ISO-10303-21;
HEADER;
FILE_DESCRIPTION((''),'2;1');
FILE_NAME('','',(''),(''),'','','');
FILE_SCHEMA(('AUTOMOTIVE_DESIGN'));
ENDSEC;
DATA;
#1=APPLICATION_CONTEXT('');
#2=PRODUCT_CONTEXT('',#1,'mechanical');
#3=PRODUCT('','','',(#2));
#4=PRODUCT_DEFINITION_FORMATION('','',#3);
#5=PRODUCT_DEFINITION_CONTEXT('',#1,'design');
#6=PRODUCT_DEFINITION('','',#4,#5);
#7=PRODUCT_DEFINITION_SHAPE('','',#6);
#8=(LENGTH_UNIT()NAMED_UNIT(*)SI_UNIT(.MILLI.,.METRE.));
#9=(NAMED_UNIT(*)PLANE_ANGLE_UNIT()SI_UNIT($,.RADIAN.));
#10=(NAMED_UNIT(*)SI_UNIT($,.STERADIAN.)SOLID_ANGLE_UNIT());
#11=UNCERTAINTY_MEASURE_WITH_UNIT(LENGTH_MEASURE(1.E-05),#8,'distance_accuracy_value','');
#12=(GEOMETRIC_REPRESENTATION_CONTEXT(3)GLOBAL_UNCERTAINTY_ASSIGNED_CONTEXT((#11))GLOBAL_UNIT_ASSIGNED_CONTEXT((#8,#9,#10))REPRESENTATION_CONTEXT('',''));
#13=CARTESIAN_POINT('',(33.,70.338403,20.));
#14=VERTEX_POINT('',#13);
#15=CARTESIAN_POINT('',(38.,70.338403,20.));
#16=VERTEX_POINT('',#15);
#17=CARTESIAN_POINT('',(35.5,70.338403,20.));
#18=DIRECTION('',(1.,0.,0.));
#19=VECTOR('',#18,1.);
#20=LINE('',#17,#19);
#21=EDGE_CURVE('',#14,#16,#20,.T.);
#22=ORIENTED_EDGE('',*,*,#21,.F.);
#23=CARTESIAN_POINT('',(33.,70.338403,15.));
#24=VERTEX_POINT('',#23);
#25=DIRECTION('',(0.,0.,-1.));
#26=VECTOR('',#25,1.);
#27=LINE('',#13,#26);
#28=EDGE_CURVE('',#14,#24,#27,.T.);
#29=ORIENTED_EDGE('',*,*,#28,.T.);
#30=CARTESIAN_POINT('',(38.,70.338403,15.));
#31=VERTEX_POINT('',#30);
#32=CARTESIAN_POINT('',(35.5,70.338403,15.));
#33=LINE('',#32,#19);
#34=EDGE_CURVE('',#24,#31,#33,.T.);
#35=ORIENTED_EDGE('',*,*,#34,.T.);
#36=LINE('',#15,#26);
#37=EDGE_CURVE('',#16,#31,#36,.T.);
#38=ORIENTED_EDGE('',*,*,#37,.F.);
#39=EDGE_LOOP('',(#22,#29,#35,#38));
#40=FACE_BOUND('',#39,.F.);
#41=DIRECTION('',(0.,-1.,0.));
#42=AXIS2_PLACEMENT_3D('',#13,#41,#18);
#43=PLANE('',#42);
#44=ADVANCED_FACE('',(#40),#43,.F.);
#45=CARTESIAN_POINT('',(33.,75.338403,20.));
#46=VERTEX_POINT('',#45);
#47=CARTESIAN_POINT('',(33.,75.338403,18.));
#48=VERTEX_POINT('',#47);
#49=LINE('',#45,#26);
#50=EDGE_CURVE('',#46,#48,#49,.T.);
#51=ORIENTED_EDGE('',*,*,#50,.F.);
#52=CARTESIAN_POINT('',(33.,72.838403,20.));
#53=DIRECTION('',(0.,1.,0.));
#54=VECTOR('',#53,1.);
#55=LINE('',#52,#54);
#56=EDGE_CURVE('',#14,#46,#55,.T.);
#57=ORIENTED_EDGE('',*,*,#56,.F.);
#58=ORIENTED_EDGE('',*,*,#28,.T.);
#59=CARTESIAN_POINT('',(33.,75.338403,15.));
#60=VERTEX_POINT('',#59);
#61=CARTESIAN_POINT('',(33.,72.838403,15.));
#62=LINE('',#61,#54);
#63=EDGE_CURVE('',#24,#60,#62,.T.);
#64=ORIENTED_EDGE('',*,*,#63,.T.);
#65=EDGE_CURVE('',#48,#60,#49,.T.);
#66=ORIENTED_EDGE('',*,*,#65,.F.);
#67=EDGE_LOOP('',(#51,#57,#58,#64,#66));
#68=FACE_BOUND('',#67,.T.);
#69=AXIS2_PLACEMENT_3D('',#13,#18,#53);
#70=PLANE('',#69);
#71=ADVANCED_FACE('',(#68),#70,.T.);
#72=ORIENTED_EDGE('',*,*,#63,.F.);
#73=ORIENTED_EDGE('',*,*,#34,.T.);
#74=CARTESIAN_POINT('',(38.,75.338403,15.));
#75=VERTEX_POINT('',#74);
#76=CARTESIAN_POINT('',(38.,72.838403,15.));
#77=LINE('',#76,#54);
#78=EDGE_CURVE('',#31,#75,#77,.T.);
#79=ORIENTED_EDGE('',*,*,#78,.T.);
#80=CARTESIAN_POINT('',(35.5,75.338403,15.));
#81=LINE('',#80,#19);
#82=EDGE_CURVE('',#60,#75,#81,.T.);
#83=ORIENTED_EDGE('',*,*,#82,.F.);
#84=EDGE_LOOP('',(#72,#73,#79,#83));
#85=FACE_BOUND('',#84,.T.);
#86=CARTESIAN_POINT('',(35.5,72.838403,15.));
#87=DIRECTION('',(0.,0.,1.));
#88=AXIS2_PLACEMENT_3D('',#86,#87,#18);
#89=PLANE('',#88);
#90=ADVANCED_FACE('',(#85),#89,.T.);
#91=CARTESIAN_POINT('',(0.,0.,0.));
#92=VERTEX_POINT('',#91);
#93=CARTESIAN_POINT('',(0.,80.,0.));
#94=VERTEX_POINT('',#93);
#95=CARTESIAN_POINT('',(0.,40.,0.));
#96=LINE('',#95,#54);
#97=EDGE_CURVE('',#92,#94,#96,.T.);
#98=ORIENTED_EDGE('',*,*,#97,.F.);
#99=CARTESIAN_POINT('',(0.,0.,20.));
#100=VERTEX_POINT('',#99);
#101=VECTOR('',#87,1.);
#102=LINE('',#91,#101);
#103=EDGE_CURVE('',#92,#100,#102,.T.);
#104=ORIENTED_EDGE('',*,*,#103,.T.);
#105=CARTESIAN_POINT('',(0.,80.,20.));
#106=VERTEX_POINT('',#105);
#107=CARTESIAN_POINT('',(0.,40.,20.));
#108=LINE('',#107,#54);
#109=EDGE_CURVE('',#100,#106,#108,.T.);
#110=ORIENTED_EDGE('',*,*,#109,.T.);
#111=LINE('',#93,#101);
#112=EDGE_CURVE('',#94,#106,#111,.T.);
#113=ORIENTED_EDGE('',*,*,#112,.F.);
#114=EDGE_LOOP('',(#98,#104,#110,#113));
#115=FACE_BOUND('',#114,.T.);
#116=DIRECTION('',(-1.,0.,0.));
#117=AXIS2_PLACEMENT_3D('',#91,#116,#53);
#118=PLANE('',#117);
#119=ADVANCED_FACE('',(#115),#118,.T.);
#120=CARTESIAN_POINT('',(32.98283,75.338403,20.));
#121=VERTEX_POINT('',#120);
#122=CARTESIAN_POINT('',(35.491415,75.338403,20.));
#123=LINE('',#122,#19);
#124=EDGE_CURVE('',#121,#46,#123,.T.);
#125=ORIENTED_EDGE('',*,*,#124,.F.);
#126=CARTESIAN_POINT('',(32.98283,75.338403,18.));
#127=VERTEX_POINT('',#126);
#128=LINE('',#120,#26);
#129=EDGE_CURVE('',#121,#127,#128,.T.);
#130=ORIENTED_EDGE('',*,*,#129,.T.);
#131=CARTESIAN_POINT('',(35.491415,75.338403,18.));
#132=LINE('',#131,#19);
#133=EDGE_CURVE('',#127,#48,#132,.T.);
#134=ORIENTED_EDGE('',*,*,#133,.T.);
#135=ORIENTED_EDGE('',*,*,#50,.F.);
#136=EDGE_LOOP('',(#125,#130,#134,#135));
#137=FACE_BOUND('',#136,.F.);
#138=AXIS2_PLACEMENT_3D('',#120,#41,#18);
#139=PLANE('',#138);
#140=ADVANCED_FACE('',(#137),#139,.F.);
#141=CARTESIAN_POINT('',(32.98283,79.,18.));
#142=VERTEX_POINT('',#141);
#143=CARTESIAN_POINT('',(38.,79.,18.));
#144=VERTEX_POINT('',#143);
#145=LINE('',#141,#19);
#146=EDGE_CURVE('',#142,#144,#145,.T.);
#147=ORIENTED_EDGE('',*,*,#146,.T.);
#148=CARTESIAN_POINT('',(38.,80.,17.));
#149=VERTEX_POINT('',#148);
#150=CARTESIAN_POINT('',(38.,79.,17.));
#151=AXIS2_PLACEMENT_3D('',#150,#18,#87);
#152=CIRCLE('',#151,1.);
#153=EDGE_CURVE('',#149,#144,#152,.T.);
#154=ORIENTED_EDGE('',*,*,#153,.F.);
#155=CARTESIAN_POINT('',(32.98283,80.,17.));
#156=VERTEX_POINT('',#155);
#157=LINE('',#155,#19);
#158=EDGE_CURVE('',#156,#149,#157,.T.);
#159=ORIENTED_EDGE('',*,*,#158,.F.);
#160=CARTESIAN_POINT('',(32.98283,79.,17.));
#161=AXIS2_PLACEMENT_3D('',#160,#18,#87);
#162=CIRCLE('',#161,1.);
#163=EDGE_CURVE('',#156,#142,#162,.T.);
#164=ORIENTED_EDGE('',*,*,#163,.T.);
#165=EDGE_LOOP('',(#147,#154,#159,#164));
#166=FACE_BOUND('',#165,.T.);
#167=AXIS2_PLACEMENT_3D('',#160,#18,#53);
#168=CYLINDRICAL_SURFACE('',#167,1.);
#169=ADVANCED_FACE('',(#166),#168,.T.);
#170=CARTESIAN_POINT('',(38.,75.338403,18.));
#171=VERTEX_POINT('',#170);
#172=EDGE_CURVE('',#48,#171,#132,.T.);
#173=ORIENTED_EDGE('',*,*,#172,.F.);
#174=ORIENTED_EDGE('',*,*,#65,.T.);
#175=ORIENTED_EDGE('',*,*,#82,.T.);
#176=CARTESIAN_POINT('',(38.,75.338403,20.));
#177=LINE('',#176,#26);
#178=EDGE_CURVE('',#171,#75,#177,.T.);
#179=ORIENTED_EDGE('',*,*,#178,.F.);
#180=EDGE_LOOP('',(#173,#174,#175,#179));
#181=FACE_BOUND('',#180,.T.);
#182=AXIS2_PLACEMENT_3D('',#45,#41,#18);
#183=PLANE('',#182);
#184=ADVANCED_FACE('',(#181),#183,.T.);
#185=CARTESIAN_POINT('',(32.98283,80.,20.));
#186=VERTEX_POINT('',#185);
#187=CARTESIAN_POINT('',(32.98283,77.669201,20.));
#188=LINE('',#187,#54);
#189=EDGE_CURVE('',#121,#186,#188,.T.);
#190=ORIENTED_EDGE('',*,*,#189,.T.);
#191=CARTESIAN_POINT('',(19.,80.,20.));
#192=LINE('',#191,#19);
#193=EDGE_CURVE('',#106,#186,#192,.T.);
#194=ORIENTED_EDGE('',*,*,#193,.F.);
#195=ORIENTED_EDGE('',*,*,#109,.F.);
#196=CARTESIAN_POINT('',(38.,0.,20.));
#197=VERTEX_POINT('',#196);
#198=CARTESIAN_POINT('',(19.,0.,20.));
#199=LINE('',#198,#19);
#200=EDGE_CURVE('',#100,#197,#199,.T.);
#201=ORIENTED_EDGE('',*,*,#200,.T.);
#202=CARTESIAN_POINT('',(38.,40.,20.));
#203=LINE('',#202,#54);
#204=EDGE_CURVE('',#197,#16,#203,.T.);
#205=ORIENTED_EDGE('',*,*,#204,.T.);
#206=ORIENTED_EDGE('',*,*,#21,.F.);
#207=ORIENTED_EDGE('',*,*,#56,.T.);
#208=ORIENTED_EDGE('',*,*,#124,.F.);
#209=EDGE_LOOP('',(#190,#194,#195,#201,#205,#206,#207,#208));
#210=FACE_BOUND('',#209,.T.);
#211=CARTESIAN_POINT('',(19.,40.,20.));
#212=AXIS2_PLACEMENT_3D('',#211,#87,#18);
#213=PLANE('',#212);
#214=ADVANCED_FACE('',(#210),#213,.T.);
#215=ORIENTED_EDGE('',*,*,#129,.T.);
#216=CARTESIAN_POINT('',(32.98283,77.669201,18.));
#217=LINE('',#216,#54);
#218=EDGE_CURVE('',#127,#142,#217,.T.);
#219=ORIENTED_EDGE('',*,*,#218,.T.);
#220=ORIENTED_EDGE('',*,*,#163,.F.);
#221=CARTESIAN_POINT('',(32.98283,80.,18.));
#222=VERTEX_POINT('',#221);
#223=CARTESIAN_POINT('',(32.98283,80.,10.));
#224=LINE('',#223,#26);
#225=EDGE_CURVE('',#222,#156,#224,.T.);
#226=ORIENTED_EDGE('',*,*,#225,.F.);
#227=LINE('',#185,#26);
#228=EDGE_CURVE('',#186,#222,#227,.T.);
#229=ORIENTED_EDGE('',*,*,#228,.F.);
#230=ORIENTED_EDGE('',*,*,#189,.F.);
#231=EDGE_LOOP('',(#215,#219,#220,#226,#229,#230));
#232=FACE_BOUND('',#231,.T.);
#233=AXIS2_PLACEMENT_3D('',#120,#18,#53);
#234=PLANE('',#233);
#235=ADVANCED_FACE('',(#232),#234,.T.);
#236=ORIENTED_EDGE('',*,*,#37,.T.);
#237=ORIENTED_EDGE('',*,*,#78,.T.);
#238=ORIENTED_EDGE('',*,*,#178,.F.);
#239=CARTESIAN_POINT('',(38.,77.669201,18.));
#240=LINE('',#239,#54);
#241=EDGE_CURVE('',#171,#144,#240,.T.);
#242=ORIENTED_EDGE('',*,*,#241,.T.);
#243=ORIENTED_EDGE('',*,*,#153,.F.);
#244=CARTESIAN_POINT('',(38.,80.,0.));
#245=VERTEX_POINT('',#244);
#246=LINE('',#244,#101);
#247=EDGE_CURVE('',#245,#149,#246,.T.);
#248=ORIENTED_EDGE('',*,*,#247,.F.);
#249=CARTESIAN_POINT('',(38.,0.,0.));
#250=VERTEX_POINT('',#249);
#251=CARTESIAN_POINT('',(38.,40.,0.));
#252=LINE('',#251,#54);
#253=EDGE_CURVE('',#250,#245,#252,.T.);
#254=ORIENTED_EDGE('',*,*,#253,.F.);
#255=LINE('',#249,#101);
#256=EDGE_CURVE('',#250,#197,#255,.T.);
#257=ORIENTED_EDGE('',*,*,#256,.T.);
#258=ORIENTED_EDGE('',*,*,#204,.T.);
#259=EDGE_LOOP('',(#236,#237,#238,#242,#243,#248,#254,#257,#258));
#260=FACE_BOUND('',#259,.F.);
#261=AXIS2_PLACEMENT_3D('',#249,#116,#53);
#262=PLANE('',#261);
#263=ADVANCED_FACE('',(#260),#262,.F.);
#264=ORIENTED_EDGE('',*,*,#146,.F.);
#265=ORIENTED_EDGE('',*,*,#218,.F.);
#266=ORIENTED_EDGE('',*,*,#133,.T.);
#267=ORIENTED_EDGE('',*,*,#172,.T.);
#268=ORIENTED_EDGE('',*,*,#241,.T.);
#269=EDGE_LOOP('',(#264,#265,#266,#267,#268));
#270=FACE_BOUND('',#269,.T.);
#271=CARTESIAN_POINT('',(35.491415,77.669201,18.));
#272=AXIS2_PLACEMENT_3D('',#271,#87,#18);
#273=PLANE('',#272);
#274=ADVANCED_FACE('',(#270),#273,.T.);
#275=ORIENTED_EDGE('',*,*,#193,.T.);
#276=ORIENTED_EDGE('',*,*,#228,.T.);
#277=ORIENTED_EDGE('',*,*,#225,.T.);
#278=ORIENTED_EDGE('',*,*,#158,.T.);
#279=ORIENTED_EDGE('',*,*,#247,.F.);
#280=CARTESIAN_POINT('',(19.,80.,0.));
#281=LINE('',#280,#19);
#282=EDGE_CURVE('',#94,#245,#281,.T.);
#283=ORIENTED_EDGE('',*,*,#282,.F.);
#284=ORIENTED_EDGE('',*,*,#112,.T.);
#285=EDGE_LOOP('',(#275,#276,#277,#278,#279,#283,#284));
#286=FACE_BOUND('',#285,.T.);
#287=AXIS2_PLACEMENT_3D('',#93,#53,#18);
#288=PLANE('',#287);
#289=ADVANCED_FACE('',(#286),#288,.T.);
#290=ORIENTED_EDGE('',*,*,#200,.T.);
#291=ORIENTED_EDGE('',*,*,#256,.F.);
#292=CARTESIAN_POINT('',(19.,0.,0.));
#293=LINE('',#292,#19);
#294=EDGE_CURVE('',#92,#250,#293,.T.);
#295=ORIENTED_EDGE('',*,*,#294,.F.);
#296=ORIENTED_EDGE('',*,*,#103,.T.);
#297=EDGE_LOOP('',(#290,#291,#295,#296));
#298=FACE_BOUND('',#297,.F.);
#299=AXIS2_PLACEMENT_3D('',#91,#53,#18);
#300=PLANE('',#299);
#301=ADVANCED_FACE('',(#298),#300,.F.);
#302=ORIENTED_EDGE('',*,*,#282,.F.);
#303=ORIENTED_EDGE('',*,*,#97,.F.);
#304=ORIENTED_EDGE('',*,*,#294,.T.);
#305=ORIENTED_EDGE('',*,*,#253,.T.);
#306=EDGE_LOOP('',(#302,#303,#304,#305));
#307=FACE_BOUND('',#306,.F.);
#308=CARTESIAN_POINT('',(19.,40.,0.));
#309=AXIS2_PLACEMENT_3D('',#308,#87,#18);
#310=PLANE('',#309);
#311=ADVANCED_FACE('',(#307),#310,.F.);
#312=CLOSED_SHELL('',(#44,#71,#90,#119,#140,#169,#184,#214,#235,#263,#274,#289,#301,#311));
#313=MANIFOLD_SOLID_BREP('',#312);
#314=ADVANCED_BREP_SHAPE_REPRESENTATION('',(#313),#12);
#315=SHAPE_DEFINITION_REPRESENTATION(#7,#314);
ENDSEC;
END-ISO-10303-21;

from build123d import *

# Parameters (mm, degrees)
SKETCH_W        = 38
SKETCH_H        = 80
PAD_DEPTH       = 20
SKETCH001_W     = 5
SKETCH001_H     = 5
POCKET_DEPTH    = 5
SKETCH002_W     = 5.01717
SKETCH002_H     = 4.6615971845
POCKET001_DEPTH = 2
FILLET_R        = 1


with BuildPart() as part:
    # Sketch → Pad (new body)
    with BuildSketch(Plane.XY):
        with Locations((19, 40)):
            Rectangle(SKETCH_W, SKETCH_H)
    extrude(amount=PAD_DEPTH)

    # Sketch001 (on Face6 of Pad) → Pocket (cut)
    with BuildSketch(Plane.XY.offset(20)):
        with Locations((35.5, 72.8384028155)):
            Rectangle(SKETCH001_W, SKETCH001_H)
    extrude(amount=-POCKET_DEPTH, mode=Mode.SUBTRACT)

    # Sketch002 (on Face5 of Pocket) → Pocket001 (cut)
    with BuildSketch(Plane.XY.offset(20)):
        with Locations((35.491415, 77.6692014078)):
            Rectangle(SKETCH002_W, SKETCH002_H)
    extrude(amount=-POCKET001_DEPTH, mode=Mode.SUBTRACT)

    # Fillet
    fillet_edges = [part.edges().sort_by_distance(p)[0] for p in [
        (35.491415, 80, 18),
    ]]
    fillet(fillet_edges, radius=FILLET_R)


solid = part.part
